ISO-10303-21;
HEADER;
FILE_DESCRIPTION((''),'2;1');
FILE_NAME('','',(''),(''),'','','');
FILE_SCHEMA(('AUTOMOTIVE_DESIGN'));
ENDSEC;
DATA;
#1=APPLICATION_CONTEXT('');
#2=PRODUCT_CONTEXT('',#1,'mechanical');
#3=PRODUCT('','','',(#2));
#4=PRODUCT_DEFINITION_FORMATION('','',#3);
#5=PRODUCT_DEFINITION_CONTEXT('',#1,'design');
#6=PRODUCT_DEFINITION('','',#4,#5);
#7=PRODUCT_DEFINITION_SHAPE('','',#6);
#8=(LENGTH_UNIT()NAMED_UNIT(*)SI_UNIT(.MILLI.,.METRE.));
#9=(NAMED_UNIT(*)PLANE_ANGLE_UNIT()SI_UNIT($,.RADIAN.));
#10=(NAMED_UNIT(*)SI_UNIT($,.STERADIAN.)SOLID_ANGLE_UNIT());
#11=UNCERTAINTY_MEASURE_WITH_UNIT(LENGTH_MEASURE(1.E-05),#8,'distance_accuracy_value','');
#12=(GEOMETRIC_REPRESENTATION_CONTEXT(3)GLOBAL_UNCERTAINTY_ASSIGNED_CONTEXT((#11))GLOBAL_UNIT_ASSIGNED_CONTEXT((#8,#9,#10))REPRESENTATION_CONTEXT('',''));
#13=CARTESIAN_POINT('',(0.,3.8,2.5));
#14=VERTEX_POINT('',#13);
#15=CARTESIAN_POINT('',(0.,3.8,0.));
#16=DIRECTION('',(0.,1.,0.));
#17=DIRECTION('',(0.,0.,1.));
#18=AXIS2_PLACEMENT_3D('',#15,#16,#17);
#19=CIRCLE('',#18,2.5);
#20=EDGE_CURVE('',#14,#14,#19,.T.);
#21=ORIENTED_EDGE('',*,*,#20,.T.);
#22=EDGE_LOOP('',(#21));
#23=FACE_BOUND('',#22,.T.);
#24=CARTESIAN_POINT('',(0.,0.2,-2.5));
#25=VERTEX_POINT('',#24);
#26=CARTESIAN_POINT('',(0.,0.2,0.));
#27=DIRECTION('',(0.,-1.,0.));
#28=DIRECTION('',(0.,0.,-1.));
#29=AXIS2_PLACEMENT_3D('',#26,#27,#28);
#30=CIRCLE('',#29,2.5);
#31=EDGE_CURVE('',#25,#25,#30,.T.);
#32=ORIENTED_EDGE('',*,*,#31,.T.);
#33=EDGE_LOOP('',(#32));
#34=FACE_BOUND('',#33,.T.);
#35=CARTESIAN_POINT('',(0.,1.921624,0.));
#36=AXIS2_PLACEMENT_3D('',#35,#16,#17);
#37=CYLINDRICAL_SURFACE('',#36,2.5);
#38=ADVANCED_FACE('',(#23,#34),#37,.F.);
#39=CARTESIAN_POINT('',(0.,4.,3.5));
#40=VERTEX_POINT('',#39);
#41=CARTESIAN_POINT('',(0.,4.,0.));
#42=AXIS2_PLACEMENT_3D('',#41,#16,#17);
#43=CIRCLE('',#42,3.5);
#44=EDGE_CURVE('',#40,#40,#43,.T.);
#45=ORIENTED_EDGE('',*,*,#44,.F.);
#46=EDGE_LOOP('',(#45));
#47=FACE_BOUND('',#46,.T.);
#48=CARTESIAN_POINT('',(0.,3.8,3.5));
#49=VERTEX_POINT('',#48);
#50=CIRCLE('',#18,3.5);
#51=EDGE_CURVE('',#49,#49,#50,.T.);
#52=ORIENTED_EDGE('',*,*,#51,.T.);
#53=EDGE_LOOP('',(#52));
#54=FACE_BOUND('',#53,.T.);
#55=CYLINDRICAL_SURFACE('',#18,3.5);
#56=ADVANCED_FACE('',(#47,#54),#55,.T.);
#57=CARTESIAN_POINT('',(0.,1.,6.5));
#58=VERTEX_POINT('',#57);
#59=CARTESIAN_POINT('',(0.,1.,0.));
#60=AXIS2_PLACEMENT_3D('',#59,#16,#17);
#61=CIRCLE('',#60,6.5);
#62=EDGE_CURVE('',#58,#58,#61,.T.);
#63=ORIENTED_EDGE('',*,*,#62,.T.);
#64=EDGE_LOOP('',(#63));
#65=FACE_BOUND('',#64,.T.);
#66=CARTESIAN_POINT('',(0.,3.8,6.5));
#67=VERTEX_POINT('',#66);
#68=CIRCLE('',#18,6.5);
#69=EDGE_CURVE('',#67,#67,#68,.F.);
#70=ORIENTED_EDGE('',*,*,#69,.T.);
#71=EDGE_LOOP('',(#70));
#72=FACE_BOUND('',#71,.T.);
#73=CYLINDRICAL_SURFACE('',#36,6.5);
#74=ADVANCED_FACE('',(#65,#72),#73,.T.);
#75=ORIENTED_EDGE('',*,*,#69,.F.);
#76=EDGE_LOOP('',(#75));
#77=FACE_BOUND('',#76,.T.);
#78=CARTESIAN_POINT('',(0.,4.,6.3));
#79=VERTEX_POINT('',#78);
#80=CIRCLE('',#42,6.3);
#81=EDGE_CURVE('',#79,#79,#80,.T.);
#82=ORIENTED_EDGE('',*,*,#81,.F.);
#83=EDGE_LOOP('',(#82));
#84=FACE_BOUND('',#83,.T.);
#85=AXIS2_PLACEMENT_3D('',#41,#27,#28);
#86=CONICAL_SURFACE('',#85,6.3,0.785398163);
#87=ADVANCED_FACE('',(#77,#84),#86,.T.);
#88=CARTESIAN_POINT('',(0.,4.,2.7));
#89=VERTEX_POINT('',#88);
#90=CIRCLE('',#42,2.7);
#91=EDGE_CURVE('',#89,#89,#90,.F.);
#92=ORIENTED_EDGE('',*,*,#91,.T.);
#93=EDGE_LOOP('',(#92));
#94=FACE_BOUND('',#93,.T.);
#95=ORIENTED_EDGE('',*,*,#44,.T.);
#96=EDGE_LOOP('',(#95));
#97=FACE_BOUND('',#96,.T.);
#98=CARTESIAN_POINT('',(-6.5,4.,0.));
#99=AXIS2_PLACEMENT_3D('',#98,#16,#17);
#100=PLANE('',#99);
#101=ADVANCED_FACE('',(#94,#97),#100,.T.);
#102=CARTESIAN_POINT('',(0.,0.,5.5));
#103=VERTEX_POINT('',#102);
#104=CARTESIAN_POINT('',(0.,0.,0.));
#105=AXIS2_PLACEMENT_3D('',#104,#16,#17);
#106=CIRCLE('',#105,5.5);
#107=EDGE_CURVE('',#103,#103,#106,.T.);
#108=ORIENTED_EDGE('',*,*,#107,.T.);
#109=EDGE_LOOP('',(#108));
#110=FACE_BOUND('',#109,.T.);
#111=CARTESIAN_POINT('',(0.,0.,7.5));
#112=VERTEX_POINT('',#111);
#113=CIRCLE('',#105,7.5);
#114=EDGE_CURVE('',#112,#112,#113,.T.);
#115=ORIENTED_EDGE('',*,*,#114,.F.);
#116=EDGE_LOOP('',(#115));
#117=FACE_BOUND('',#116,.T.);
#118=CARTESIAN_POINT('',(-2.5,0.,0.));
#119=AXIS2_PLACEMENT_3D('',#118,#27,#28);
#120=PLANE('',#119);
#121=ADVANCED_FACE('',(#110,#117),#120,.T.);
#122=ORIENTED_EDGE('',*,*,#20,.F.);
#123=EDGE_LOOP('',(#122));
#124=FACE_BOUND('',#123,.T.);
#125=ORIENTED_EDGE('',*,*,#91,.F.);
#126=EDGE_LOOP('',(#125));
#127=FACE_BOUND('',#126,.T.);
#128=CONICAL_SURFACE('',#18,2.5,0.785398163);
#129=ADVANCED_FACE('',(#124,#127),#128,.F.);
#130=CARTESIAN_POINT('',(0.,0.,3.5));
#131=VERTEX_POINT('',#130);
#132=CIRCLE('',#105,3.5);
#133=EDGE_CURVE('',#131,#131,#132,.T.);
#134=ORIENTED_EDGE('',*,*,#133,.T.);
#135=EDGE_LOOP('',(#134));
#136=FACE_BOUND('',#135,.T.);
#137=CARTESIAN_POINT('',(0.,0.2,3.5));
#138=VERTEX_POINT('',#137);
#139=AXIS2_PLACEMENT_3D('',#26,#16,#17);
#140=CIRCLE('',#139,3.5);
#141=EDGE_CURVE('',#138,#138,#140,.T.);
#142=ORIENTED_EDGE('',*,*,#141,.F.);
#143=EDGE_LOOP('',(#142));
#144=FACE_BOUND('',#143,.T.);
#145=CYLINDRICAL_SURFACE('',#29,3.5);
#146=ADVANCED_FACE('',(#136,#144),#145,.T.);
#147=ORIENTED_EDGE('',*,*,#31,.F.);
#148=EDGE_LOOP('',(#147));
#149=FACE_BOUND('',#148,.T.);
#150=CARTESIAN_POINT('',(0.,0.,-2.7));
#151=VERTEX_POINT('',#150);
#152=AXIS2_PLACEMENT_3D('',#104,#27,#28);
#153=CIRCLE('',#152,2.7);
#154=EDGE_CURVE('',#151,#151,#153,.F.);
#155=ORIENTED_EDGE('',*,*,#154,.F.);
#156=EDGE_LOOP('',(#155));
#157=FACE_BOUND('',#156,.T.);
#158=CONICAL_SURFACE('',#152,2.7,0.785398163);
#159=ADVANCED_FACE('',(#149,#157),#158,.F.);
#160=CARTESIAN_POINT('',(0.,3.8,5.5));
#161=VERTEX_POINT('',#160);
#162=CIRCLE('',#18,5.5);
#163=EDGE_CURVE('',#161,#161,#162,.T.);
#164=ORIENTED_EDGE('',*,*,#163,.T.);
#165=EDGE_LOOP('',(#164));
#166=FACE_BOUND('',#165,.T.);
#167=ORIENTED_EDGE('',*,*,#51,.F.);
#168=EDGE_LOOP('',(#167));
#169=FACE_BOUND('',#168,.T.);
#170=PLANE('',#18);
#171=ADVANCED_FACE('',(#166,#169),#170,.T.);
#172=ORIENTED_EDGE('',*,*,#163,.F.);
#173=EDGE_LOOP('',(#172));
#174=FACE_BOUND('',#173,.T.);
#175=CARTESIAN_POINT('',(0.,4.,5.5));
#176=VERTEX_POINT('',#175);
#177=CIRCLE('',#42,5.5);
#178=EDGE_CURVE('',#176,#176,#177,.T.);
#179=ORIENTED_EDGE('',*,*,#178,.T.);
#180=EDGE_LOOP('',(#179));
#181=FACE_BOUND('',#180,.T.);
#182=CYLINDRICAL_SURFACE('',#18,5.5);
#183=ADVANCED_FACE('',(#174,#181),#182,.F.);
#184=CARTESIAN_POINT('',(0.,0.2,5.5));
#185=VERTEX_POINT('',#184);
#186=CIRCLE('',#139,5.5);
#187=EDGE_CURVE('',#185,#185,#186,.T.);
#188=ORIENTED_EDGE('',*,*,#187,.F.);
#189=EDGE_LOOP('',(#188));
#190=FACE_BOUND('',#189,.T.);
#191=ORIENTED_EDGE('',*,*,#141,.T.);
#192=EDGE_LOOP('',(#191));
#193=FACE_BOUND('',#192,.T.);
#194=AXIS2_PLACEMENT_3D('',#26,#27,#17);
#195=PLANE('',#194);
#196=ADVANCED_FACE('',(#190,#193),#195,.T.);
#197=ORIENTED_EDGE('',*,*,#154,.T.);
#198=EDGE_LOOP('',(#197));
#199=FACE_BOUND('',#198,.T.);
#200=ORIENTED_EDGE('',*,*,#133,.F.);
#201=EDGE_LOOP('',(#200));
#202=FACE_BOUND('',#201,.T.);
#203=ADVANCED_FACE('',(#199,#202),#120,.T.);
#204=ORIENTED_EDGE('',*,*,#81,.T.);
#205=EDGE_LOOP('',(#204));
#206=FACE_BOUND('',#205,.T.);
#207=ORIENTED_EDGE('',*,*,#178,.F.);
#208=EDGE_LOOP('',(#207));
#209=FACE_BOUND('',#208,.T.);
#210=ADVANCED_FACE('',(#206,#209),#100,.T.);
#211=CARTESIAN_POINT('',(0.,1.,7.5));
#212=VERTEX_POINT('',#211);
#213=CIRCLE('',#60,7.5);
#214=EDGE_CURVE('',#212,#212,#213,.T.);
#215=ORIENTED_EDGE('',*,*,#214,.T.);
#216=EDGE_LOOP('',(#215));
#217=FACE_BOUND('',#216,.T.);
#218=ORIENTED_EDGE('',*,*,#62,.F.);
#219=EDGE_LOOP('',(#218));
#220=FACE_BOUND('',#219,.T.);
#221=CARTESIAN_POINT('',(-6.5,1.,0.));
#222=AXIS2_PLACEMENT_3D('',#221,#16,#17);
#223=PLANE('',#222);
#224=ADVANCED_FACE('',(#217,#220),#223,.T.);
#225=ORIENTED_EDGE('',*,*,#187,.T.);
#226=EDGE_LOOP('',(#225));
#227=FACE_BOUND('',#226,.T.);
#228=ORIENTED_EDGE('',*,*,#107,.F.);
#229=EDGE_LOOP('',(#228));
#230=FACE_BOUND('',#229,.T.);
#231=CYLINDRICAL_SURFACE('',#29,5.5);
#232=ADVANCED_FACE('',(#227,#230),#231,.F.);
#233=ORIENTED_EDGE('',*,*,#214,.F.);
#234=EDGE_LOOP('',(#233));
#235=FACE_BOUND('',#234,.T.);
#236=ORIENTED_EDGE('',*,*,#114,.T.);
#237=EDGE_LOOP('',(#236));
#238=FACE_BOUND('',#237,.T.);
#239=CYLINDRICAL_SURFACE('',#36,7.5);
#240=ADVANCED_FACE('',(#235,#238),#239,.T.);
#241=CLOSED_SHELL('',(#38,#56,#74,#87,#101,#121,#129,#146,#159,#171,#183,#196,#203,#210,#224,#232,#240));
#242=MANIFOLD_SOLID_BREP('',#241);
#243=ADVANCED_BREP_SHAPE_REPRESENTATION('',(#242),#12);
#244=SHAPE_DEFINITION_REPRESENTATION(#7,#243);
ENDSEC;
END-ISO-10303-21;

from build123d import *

# Parameters (mm, degrees)
SKETCH3_R          = 5.5
SKETCH3_R_2        = 3.5
CUT_EXTRUDE1_DEPTH = 0.2
CHAMFER1_SIZE      = 0.2


with BuildPart() as part:
    # Sketch2 → Revolve1 (revolve)
    with BuildSketch(Plane.XY):
        Polygon((-6.5, 4), (-2.5, 4), (-2.5, 0), (-7.5, 0), (-7.5, 1), (-6.5, 1), align=None)
    revolve(axis=Axis((0, 1.921623867, 0), (0, -1, 0)))

    # Sketch3 → Cut-Extrude1 (cut)
    with BuildSketch(Plane(origin=(0, 4, 0), x_dir=(1, 0, 0), z_dir=(0, 1, 0))):
        Circle(SKETCH3_R)
        Circle(SKETCH3_R_2, mode=Mode.SUBTRACT)
    cut_extrude1 = extrude(amount=-CUT_EXTRUDE1_DEPTH, mode=Mode.SUBTRACT)

    # Mirror1: Cut-Extrude1 across plane
    add(cut_extrude1.mirror(Plane.ZX.offset(2)), mode=Mode.SUBTRACT)

    # Chamfer1
    chamfer1_edges = [part.edges().sort_by_distance(p)[0] for p in [
        (2.5, 0, 0),
        (2.5, 4, 0),
        (6.5, 4, 0),
    ]]
    chamfer(chamfer1_edges, length=CHAMFER1_SIZE)


solid = part.part
